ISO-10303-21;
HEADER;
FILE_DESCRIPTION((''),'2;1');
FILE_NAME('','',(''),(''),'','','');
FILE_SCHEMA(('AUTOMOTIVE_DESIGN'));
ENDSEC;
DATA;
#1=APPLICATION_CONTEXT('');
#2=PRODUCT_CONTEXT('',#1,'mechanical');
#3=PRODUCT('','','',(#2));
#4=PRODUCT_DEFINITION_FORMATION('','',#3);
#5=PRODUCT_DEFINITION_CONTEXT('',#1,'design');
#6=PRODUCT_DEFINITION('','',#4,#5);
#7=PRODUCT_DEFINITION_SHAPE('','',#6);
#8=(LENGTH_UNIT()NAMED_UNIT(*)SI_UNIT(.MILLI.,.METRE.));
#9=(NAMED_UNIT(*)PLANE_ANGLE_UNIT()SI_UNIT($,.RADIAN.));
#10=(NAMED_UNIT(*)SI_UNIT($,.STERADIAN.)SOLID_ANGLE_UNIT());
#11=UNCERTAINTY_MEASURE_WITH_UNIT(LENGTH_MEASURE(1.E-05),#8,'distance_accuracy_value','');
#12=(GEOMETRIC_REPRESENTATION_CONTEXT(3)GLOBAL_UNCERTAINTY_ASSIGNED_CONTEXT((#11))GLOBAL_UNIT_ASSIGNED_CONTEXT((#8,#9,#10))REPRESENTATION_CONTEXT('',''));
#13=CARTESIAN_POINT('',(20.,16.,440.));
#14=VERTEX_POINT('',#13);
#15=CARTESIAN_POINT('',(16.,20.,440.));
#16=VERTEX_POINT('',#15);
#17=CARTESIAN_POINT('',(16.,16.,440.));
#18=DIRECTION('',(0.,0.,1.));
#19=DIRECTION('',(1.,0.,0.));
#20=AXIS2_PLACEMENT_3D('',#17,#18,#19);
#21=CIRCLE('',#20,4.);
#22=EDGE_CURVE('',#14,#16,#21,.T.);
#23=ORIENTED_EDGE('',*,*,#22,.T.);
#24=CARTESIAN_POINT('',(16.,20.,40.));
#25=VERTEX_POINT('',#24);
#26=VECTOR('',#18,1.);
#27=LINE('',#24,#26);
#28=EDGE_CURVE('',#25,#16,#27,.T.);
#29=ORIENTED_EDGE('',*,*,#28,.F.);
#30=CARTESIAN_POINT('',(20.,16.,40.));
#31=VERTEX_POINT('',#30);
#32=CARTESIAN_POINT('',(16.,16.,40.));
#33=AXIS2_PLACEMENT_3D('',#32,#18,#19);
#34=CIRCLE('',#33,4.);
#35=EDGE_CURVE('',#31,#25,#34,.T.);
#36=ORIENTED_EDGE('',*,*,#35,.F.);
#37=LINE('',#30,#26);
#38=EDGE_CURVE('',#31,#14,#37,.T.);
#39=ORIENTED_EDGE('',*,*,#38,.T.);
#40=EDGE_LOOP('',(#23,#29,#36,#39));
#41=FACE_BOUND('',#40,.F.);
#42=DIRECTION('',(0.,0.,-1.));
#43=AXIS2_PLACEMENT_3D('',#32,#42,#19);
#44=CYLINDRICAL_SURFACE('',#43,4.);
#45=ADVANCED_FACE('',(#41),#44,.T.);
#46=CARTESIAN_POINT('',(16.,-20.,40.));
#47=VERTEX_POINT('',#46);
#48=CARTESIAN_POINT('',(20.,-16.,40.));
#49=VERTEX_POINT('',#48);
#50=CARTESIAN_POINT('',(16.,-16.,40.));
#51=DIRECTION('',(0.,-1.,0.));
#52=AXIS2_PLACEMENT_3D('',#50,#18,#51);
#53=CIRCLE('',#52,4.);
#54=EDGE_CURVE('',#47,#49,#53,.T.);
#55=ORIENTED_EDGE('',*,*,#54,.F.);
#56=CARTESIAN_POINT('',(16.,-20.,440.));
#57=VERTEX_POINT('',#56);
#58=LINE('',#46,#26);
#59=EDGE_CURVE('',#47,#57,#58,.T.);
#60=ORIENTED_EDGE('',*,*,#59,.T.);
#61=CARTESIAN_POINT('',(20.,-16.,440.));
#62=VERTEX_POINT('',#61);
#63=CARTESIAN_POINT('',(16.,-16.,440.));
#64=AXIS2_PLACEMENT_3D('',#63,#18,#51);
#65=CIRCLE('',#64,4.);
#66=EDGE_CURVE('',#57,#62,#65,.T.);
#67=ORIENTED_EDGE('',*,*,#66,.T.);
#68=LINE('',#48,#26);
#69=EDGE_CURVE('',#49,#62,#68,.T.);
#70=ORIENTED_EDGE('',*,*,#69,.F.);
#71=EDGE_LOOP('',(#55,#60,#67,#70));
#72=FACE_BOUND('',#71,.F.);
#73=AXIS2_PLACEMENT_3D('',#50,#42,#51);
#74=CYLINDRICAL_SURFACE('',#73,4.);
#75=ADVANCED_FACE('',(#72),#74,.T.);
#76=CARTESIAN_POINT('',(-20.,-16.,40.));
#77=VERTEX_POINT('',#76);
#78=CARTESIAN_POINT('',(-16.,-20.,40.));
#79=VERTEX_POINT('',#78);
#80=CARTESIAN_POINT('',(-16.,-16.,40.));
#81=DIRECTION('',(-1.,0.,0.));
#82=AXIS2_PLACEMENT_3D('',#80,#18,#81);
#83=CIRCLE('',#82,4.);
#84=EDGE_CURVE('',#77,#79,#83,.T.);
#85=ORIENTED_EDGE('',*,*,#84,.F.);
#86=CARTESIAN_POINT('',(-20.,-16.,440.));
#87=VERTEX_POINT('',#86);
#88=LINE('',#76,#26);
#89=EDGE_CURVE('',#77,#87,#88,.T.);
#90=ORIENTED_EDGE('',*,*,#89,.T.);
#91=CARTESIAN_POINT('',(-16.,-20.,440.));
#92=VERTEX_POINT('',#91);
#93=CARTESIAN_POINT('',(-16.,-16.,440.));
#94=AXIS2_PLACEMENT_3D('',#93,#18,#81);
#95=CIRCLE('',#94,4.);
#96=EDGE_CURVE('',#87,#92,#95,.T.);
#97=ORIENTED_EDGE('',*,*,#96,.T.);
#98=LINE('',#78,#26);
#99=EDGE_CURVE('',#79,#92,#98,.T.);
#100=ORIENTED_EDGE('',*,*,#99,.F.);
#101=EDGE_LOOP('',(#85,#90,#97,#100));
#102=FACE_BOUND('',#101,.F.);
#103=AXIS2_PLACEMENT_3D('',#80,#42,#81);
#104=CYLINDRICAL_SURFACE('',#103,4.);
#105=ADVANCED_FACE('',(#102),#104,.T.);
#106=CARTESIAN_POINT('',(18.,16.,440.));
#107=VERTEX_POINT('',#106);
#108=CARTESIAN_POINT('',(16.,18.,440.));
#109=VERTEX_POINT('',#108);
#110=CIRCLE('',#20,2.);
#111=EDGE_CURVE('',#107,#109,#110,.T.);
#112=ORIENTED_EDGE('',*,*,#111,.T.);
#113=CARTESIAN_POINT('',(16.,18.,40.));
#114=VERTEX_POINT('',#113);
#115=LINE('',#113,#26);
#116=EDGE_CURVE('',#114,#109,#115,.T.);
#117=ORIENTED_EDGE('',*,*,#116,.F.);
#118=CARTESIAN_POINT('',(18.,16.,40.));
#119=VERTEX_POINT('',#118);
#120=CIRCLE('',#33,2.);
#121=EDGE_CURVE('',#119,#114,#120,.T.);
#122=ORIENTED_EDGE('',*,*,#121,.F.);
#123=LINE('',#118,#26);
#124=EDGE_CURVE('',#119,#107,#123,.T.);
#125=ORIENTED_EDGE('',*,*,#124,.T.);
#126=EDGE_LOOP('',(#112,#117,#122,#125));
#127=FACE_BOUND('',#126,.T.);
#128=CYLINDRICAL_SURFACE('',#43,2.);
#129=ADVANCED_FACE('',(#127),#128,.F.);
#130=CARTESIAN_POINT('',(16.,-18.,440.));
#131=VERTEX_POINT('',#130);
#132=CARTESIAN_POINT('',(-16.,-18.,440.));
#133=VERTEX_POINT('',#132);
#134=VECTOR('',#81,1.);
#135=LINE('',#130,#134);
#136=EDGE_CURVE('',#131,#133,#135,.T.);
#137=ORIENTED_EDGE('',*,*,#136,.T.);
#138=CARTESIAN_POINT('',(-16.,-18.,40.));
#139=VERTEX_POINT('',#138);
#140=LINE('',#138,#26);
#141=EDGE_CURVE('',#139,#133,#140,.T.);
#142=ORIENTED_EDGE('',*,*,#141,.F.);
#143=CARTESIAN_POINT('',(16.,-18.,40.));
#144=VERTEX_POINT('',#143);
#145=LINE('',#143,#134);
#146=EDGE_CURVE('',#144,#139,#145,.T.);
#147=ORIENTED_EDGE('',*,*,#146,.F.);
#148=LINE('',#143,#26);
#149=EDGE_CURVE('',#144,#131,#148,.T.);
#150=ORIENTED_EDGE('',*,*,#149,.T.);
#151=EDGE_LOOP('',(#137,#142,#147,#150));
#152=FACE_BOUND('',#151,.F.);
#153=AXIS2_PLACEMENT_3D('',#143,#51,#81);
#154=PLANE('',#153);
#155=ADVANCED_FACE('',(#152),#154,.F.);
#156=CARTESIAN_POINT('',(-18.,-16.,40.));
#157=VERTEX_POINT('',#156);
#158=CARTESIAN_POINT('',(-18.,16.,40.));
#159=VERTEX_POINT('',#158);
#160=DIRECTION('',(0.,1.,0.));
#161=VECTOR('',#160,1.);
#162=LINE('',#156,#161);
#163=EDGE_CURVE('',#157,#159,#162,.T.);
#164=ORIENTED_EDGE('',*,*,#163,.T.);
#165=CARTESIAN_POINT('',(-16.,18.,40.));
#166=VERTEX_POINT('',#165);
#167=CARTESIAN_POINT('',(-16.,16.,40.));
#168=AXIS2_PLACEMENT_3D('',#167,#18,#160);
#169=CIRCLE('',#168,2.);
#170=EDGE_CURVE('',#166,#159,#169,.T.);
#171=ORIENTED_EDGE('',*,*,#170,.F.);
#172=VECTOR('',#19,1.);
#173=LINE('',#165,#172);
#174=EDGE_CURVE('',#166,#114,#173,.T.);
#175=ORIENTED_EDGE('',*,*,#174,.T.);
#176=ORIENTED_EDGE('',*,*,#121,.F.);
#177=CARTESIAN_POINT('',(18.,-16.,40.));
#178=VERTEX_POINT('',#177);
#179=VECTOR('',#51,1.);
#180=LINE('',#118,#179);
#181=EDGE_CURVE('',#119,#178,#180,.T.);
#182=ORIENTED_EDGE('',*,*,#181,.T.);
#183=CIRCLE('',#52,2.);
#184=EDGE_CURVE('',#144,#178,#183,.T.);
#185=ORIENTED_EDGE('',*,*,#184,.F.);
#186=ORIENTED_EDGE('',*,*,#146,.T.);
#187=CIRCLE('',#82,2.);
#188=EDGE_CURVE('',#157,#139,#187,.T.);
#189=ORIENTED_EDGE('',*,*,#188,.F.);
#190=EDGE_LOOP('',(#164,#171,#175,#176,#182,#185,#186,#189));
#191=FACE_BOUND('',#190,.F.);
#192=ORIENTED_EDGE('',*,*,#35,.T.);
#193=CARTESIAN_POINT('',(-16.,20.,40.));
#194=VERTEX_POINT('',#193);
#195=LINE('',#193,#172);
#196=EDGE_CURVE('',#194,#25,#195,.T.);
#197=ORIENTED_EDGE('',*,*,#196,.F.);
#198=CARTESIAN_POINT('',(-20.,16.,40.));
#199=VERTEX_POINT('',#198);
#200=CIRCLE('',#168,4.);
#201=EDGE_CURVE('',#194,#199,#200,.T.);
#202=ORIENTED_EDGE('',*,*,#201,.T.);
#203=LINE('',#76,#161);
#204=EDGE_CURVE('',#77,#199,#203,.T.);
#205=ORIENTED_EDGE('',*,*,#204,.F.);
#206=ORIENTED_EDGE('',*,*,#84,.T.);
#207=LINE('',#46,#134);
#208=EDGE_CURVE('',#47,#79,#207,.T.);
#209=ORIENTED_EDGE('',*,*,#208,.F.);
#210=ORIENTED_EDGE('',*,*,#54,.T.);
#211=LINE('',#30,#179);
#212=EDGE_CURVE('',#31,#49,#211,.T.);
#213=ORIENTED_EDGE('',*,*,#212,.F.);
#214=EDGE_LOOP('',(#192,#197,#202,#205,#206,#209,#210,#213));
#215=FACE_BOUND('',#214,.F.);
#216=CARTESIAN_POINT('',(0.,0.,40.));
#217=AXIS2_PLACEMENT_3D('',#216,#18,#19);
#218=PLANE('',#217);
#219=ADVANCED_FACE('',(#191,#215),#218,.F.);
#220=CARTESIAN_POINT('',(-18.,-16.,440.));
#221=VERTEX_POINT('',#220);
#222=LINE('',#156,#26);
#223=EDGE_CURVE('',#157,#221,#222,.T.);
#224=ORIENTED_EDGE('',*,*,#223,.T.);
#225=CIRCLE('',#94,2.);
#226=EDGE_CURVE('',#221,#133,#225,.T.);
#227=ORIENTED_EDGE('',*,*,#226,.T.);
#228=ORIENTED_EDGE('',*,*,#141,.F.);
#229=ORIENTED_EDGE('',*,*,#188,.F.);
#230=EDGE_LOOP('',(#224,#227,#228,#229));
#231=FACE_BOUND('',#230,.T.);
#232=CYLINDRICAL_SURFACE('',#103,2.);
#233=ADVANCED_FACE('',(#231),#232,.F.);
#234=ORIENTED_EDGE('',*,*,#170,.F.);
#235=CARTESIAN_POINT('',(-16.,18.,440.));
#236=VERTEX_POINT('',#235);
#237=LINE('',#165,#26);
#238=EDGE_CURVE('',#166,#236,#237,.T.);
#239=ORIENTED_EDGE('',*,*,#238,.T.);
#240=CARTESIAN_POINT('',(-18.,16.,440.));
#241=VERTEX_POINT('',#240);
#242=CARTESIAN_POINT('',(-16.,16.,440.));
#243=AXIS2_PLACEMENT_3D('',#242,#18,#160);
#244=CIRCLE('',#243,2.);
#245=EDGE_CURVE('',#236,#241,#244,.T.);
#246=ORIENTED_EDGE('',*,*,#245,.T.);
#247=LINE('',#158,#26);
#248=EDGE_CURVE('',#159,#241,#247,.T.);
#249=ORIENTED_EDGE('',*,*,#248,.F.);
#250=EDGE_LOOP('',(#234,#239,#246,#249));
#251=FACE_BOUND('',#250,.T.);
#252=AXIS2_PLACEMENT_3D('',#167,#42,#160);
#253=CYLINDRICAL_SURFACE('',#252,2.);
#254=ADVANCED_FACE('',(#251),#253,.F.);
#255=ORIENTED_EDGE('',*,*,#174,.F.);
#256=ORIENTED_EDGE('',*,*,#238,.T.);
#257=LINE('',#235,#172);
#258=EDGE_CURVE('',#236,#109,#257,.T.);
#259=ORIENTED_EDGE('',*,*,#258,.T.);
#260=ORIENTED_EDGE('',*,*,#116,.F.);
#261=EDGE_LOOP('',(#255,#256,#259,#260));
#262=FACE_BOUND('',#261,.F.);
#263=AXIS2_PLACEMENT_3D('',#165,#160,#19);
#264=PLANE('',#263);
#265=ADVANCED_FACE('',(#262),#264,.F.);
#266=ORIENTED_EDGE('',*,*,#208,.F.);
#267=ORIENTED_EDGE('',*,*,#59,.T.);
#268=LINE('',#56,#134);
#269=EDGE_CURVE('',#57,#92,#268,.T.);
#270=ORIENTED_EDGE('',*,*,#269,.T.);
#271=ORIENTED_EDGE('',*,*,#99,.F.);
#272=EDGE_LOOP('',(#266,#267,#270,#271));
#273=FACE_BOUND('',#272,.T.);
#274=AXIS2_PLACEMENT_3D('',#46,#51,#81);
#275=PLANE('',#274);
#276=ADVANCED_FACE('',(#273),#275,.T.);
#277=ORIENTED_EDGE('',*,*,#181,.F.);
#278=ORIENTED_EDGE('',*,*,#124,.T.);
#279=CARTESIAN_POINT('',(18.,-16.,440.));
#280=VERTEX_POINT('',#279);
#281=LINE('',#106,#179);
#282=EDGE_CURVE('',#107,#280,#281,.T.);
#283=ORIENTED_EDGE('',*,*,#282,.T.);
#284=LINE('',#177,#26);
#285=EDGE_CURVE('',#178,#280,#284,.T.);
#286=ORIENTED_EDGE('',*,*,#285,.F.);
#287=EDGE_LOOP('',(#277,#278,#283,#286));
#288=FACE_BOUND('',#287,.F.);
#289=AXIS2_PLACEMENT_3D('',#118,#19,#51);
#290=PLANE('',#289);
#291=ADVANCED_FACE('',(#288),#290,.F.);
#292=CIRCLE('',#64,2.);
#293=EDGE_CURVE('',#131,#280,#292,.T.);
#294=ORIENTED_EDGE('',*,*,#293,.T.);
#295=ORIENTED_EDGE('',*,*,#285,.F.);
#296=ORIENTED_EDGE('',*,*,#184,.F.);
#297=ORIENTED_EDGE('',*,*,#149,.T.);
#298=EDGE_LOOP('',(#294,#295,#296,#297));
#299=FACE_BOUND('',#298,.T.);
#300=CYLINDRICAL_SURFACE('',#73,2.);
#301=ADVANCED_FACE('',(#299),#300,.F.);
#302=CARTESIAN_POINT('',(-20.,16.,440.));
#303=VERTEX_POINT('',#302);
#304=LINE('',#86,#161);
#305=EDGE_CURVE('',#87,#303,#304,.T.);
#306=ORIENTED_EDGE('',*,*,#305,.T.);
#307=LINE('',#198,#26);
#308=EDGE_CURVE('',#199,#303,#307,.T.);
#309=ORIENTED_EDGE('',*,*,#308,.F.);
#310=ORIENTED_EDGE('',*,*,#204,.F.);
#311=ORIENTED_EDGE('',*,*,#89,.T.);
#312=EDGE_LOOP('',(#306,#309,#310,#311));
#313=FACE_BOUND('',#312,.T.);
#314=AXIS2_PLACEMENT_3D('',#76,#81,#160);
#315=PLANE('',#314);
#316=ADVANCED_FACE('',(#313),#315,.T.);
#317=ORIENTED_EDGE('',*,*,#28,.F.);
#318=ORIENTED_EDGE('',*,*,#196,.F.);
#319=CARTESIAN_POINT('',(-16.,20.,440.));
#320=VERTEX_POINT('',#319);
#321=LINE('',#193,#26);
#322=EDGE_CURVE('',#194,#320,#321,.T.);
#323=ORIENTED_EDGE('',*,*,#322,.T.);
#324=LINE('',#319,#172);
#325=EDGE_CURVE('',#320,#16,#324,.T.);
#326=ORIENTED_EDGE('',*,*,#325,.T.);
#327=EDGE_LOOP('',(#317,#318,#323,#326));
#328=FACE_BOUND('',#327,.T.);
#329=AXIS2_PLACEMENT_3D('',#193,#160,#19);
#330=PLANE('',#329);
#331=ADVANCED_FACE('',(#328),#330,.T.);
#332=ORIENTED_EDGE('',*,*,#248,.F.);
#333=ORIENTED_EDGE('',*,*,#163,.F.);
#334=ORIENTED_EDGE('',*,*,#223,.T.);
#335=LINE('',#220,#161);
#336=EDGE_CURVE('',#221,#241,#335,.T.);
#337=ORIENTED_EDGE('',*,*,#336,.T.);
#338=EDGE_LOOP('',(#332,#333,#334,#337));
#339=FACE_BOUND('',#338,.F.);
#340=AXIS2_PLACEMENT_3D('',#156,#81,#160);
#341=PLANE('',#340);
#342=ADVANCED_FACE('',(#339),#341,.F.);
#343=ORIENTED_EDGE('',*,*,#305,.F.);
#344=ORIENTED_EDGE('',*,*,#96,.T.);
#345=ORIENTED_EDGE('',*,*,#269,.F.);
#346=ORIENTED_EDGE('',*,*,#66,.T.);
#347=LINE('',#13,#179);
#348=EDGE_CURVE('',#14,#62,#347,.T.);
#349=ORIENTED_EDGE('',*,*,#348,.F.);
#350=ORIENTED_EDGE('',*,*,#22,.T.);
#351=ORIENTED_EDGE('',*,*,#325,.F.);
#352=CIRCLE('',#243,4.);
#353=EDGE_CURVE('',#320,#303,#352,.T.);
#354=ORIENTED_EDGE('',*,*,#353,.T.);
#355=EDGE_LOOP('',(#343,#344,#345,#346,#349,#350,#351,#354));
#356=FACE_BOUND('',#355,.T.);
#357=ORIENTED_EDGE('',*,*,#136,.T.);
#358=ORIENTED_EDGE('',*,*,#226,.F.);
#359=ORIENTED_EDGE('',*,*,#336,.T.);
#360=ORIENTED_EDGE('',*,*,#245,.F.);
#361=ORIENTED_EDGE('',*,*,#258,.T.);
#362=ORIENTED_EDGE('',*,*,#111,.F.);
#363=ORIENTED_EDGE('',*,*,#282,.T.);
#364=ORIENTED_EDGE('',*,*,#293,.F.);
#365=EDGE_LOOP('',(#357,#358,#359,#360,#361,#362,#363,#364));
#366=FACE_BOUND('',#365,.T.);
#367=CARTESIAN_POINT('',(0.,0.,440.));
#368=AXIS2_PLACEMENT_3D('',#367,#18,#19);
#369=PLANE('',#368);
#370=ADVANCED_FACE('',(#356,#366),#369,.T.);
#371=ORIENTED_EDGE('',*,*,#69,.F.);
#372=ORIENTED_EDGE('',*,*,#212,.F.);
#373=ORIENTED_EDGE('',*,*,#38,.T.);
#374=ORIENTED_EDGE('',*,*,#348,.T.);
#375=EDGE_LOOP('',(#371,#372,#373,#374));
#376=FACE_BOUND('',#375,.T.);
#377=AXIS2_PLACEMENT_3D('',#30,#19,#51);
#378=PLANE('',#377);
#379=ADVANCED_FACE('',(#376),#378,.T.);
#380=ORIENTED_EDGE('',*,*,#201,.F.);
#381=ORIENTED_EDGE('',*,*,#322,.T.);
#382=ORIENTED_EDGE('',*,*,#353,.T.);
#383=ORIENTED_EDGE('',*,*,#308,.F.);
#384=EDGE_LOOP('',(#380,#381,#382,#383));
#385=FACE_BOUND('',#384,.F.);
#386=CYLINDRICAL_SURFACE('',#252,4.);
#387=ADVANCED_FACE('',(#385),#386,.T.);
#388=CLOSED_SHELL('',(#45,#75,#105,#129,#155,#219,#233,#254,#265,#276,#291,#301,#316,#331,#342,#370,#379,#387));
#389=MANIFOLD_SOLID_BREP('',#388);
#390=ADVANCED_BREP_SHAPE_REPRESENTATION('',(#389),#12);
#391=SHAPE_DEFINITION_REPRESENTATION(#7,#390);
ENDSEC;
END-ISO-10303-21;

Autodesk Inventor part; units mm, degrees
ref_plane "YZ Plane" through (0, 0, 0) normal (1, 0, 0) x (0, 1, 0)
ref_plane "Start Plane" through (0, 0, 40) normal (0, 0, 1) x (1, 0, 0)
ref_plane "End Plane" through (0, 0, 440) normal (0, 0, 1) x (1, 0, 0)
sketch "Sketch" plane through (0, 0, 0) normal (0, 0, 1) x (1, 0, 0)
  line L0 (-20, -16) -> (-20, 16)
  line L1 (-16, 20) -> (16, 20)
  line L2 (20, 16) -> (20, -16)
  line L3 (16, -20) -> (-16, -20)
  arc A0 (-20, -16) -> (-16, -20) centre (-16, -16) ccw
  arc A1 (20, 16) -> (16, 20) centre (16, 16) ccw
  arc A2 (-16, 20) -> (-20, 16) centre (-16, 16) ccw
  arc A3 (16, -20) -> (20, -16) centre (16, -16) ccw
  arc A4 (-16, 18) -> (-18, 16) centre (-16, 16) ccw
  line L4 (-16, 18) -> (16, 18)
  arc A5 (18, 16) -> (16, 18) centre (16, 16) ccw
  line L5 (18, 16) -> (18, -16)
  arc A6 (16, -18) -> (18, -16) centre (16, -16) ccw
  line L6 (16, -18) -> (-16, -18)
  arc A7 (-18, -16) -> (-16, -18) centre (-16, -16) ccw
  line L7 (-18, -16) -> (-18, 16)
  line L8 (0, 29.1598) -> (0, -29.1598) construction
  line L9 (-29.1598, 0) -> (29.1598, 0) construction
  dimension "d7" = 4
  dimension "d9" = 40
  dimension "d11" = 40
  dimension "d12" = 2
  dimension "d15" = 20
  dimension "d16" = 20
extrude "Body" add sketch "Sketch" along normal up to surface (400 mm away) from surface at 40
sketch "Sketch3" plane through (0, 0, 0) normal (0, 0, 1) x (1, 0, 0)
  line L0 (0, 0) -> (10, 0)
ref_plane "Work Plane3" through (0, 0, 0) normal (0, -1, 0) x (1, 0, 0)
sketch "Sketch4" plane through (0, 0, 0) normal (0, -1, 0) x (1, 0, 0)
  line L0 (-2, 40) -> (12, 40) projected
  line L1 (-2, 440) -> (12, 440) projected
  dimension "d18" = 400
equation "\"d7\" = G_IR"
equation "\"d9\" = G_W"
equation "\"d11\" = G_H"
equation "\"d12\" = G_T"
equation "\"d15\" = 0.5 * d9"
equation "\"d16\" = 0.5 * d11"
equation "\"d3\" = G_L"
equation "\"G_W\" = 40"
equation "\"G_H\" = 40"
equation "\"G_T\" = 2"
equation "\"G_IR\" = 4"
equation "\"G_L\" = d18"
properties part number "ISO 10799-2 - 40x40x2 - 400" material "Steel, Mild"
